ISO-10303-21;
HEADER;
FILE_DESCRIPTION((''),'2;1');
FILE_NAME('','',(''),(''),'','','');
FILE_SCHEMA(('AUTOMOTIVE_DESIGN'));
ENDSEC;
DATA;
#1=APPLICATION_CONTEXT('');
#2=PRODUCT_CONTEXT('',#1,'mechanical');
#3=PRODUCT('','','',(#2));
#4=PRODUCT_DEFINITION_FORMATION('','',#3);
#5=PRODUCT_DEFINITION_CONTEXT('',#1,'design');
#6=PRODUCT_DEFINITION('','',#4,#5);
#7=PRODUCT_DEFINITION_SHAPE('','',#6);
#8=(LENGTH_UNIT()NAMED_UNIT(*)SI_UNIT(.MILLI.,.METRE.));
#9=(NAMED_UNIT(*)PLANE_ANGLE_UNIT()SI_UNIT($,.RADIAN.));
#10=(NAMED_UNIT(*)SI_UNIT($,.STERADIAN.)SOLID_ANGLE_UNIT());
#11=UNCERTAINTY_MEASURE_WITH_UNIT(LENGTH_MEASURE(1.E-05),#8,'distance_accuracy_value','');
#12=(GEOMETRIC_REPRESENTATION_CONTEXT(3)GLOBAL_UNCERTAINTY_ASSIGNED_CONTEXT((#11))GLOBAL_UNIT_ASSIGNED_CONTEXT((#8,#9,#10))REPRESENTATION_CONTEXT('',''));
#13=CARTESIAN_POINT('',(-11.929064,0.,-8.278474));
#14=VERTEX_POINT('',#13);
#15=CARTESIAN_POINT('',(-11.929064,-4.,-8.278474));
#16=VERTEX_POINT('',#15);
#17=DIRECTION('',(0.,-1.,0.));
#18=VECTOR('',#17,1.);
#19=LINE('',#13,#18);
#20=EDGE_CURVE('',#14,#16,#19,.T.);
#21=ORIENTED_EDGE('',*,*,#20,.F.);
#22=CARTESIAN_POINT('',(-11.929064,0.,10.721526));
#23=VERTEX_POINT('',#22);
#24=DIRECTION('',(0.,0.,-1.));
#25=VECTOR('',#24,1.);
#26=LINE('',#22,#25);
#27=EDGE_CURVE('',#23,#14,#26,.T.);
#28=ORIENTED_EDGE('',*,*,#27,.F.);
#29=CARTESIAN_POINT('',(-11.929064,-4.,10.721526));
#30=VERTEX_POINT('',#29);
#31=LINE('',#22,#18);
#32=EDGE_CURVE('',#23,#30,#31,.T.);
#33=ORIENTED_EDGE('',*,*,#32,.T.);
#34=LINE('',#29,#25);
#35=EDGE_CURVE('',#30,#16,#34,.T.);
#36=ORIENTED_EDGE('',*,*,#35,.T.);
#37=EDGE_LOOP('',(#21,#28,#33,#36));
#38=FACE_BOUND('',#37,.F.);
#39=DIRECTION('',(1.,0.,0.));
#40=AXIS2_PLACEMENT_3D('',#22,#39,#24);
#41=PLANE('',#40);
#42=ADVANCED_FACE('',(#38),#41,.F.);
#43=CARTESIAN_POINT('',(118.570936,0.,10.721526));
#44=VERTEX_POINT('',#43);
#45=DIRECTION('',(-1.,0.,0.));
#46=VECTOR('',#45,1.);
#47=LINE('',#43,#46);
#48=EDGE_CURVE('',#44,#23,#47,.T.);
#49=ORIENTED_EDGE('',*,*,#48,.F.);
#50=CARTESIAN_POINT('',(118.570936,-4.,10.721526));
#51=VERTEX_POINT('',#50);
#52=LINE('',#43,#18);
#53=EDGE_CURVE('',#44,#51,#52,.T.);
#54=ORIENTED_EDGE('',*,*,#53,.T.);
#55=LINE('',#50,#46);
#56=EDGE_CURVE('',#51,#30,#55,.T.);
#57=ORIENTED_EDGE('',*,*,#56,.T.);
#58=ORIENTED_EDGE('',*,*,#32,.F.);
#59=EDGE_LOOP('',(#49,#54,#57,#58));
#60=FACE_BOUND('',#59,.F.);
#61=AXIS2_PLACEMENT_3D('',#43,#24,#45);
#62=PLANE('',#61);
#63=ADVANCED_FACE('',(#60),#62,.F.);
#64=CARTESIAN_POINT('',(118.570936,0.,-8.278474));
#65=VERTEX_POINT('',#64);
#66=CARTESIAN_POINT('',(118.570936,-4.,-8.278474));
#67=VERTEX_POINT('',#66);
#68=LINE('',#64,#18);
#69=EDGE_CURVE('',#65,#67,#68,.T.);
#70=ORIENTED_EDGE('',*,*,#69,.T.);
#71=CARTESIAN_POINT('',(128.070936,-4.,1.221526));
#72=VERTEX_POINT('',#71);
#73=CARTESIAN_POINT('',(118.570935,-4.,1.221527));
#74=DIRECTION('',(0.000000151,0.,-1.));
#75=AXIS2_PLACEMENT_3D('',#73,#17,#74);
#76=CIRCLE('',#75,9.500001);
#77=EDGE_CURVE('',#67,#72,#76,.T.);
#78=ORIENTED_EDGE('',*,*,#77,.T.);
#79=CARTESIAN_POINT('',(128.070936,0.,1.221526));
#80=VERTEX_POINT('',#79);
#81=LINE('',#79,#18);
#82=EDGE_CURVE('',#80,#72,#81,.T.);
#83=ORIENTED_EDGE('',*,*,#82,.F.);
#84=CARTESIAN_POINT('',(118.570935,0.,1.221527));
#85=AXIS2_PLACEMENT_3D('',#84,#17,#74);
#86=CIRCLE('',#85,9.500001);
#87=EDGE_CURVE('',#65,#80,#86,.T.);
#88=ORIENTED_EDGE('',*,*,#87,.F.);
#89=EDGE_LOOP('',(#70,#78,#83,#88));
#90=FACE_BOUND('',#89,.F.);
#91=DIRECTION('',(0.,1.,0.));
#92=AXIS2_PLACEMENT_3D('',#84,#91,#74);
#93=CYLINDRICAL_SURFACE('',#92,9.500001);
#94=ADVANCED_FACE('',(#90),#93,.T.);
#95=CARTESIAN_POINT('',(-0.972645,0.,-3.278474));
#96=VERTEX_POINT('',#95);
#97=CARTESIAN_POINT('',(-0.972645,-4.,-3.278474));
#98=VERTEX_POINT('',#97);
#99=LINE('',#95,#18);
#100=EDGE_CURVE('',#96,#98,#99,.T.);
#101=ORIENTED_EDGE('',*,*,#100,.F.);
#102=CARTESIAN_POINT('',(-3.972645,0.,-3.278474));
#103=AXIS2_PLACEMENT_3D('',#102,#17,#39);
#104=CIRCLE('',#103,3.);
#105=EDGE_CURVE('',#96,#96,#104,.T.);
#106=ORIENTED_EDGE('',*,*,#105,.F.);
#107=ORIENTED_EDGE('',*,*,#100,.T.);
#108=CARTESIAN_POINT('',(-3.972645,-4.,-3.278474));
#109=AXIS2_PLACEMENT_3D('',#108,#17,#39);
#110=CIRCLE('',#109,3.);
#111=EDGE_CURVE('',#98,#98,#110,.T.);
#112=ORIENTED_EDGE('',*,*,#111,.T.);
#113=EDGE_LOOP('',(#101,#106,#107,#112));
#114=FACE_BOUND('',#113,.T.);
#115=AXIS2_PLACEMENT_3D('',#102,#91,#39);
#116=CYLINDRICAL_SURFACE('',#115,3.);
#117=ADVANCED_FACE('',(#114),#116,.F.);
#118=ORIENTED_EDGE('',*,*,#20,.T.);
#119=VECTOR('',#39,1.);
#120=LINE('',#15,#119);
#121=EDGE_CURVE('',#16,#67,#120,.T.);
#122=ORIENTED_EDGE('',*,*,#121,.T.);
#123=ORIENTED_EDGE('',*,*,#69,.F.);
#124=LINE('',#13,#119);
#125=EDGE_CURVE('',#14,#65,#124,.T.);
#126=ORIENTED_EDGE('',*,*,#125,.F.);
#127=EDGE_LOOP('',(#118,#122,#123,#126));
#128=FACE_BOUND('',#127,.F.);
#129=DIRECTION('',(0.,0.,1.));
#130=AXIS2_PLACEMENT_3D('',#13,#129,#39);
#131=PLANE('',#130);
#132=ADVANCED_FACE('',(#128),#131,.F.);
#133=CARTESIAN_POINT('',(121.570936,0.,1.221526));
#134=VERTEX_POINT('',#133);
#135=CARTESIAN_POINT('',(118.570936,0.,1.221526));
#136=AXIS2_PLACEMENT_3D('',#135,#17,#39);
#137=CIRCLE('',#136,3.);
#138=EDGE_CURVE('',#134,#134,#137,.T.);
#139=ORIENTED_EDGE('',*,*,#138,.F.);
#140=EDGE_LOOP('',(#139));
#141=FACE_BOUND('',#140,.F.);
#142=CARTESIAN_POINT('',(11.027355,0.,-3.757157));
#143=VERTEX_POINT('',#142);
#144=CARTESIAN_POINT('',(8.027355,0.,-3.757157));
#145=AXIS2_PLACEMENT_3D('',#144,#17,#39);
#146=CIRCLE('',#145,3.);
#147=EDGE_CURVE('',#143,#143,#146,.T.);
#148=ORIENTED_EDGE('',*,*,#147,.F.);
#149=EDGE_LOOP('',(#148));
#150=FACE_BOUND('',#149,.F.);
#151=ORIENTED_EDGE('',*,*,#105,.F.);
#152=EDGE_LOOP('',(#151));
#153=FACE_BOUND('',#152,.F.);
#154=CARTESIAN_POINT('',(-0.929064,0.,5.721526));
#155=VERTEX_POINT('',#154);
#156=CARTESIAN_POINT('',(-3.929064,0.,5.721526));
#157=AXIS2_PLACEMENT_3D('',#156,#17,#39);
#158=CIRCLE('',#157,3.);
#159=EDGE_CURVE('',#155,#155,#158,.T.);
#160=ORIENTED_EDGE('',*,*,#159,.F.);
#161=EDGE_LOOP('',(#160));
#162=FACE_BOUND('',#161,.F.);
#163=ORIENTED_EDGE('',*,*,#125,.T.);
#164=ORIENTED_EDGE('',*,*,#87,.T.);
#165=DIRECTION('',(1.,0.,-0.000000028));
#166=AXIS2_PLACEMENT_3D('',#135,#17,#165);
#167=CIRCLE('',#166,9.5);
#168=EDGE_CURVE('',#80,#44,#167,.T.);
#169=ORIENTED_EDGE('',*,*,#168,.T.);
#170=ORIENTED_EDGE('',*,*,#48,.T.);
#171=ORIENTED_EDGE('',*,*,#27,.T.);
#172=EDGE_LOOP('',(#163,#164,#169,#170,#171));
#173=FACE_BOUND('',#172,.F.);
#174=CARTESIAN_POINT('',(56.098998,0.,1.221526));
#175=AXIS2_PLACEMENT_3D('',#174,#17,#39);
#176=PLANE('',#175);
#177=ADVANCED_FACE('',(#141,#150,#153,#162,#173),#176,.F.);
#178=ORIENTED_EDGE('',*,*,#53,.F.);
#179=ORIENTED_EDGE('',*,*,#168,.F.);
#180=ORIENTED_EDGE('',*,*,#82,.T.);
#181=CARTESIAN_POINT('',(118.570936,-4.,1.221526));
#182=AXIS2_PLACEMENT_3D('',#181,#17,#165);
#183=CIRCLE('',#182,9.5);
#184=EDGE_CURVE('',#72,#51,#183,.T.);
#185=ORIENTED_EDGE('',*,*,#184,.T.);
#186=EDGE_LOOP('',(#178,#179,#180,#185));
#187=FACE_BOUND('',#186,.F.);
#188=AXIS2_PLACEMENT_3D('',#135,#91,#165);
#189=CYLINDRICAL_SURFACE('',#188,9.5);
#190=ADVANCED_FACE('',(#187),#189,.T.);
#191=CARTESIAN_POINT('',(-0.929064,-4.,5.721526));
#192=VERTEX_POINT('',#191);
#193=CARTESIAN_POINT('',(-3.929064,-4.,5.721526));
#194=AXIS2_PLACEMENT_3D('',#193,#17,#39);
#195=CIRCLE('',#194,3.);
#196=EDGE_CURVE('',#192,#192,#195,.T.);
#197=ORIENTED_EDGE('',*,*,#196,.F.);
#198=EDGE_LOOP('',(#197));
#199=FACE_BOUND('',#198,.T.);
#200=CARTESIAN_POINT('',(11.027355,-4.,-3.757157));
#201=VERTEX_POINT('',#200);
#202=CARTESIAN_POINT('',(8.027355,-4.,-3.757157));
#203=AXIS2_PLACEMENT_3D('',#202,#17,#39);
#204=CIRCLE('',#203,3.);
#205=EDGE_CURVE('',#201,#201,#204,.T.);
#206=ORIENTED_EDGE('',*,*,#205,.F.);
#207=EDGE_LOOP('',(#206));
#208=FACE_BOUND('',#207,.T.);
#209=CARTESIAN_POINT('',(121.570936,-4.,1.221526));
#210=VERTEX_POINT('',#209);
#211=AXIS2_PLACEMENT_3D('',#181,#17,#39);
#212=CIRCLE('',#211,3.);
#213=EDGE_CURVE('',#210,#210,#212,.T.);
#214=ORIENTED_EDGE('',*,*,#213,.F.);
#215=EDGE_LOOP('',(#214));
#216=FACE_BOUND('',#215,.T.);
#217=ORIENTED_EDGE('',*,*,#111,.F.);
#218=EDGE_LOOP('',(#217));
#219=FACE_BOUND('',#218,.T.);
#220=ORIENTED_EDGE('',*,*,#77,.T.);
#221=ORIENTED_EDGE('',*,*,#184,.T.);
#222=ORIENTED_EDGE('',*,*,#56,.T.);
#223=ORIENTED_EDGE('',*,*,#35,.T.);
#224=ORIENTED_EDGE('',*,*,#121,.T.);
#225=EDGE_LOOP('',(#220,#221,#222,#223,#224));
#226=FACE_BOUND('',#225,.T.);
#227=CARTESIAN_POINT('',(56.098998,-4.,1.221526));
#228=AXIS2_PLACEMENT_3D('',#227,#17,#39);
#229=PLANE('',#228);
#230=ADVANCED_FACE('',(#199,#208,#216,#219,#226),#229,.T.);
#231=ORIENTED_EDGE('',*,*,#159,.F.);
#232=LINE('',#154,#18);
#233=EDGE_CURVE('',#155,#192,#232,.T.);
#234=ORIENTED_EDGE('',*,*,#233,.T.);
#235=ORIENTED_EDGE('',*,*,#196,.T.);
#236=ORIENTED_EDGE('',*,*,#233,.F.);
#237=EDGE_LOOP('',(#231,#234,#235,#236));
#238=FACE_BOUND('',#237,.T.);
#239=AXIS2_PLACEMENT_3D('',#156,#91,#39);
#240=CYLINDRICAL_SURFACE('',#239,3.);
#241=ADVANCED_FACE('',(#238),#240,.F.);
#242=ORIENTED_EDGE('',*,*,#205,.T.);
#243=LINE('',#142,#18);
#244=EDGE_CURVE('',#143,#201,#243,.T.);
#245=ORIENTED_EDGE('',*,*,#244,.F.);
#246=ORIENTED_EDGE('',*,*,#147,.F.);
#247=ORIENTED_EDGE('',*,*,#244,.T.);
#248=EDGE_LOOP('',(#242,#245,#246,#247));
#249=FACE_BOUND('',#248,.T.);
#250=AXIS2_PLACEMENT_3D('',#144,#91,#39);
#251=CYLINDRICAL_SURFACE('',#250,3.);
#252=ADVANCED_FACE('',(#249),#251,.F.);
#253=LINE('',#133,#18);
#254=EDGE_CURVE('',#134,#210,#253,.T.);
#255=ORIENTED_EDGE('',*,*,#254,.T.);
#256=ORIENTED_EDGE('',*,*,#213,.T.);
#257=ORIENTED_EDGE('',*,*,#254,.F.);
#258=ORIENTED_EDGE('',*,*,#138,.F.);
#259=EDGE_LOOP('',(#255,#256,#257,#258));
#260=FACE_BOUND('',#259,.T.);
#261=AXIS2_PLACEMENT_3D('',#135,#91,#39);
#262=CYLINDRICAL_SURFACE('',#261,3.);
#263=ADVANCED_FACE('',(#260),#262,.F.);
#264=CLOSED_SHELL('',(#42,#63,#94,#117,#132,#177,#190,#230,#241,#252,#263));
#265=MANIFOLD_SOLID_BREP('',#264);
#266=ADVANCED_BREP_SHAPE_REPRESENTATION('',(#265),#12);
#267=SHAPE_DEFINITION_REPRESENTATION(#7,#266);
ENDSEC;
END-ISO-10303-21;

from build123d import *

# Parameters (mm, degrees)
F0_R     = 3
F1_DEPTH = 4


with BuildPart() as f1:
    # F0 (on Front) → F1 (new body)
    with BuildSketch(Plane.XZ):
        with BuildLine():
            Line((-11.929064, 10.721526), (-11.929064, -8.278474))
            Line((-11.929064, -8.278474), (118.570936, -8.278474))
            ThreePointArc((118.570936, -8.278474), (125.28845, -5.495988), (128.070936, 1.221526))
            ThreePointArc((128.070936, 1.221526), (125.28845, 7.939041), (118.570936, 10.721526))
            Line((118.570936, 10.721526), (-11.929064, 10.721526))
        make_face()
        with Locations((8.027355, -3.757157)):
            Circle(F0_R, mode=Mode.SUBTRACT)
        with Locations((-3.972645, -3.278474)):
            Circle(F0_R, mode=Mode.SUBTRACT)
        with Locations((118.570936, 1.221526)):
            Circle(F0_R, mode=Mode.SUBTRACT)
        with Locations((-3.929064, 5.721526)):
            Circle(F0_R, mode=Mode.SUBTRACT)
    extrude(amount=F1_DEPTH)


solid = f1.part
